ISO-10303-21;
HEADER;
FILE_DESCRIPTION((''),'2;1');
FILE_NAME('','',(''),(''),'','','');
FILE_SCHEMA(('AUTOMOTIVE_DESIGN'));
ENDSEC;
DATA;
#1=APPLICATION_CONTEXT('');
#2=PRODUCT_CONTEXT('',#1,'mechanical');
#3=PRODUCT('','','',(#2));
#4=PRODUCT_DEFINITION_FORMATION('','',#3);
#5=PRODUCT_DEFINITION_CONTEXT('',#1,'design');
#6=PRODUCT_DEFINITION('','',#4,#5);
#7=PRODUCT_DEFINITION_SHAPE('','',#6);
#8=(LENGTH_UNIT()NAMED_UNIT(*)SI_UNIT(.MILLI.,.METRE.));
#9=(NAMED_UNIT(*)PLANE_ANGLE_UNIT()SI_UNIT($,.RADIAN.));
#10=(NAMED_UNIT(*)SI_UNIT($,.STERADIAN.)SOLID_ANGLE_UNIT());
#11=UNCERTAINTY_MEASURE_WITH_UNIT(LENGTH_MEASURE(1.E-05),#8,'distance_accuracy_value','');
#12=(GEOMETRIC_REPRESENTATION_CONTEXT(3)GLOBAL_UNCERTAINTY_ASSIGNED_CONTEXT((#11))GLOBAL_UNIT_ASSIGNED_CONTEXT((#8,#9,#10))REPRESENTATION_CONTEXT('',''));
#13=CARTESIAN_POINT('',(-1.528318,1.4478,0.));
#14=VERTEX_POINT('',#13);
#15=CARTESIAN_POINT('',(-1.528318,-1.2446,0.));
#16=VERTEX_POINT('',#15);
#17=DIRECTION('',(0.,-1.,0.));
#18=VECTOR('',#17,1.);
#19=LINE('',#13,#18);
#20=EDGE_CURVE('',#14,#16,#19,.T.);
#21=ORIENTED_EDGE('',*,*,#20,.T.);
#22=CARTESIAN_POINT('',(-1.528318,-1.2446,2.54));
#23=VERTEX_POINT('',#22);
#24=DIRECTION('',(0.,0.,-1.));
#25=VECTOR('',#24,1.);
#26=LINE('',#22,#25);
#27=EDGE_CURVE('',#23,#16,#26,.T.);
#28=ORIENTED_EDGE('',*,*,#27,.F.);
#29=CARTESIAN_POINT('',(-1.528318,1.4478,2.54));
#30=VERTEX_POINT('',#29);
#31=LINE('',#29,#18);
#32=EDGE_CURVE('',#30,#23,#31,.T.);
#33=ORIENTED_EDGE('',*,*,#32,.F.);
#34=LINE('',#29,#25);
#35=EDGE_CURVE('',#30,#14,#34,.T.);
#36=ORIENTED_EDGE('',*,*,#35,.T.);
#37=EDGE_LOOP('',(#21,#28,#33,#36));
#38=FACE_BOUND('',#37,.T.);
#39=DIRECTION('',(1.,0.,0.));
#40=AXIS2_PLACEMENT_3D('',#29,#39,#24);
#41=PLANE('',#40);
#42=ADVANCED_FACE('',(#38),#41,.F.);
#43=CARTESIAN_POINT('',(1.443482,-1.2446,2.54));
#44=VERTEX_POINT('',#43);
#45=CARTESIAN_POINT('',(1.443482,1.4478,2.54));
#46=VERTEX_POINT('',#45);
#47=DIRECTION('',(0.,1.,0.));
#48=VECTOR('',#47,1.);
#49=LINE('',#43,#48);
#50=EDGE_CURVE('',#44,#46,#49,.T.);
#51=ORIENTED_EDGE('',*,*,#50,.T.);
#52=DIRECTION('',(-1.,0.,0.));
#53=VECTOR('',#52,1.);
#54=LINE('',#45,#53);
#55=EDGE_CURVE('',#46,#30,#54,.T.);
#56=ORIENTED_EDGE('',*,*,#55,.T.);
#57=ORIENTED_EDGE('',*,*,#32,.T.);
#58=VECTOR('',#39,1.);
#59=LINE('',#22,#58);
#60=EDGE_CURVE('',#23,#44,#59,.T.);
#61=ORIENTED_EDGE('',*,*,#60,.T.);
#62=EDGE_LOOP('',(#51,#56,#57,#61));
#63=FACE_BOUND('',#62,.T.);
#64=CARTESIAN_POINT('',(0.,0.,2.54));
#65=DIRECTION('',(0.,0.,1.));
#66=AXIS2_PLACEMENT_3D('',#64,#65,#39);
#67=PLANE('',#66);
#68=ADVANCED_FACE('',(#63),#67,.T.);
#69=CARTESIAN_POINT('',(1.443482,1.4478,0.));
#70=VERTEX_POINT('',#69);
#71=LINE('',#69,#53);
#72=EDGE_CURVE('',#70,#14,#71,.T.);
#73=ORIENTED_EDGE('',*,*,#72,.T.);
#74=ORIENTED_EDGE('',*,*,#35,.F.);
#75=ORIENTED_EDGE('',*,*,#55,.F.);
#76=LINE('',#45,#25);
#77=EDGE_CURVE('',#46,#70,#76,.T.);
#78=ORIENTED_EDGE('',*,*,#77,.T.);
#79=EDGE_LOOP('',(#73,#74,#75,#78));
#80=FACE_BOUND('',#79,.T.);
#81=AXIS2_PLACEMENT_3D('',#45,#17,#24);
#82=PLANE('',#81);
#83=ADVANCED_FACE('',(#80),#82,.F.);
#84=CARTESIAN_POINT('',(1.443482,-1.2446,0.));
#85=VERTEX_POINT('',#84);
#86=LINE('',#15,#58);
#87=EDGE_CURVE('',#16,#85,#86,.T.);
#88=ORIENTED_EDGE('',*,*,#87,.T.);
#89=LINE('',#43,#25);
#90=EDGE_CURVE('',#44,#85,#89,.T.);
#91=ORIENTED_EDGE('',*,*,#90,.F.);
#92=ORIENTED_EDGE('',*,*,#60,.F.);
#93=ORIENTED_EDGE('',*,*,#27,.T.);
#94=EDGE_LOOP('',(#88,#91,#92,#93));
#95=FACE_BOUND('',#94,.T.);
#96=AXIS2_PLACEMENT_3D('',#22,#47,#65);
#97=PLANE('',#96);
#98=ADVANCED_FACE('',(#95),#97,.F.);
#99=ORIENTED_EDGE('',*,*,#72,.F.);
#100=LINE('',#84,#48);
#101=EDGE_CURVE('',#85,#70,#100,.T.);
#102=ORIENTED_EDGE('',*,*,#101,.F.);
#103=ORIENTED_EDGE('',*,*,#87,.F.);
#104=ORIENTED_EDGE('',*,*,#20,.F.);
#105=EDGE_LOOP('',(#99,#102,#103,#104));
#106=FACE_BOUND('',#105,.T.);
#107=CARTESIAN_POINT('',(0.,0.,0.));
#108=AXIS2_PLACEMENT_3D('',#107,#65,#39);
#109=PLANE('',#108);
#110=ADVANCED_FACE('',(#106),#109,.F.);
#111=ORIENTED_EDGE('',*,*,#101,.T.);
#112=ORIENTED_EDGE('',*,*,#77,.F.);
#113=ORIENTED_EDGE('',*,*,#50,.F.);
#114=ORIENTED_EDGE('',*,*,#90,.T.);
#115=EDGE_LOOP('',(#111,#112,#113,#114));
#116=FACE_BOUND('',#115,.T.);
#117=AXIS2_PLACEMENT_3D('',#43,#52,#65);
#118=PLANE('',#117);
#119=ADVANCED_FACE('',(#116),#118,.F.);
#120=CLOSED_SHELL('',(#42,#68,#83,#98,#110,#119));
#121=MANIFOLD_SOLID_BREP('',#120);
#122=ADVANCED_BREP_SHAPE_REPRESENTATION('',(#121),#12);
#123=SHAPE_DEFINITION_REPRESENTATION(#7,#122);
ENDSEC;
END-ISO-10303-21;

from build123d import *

# Parameters (mm, degrees)
SKETCH1_W               = 2.9718
SKETCH1_H               = 2.6924
COMPONENT_OUTLINE_DEPTH = 2.54


with BuildPart() as part:
    # Sketch1 → Component_Outline (new body)
    with BuildSketch(Plane.XY):
        with Locations((-0.042418, 0.1016)):
            Rectangle(SKETCH1_W, SKETCH1_H)
    extrude(amount=COMPONENT_OUTLINE_DEPTH)


solid = part.part
